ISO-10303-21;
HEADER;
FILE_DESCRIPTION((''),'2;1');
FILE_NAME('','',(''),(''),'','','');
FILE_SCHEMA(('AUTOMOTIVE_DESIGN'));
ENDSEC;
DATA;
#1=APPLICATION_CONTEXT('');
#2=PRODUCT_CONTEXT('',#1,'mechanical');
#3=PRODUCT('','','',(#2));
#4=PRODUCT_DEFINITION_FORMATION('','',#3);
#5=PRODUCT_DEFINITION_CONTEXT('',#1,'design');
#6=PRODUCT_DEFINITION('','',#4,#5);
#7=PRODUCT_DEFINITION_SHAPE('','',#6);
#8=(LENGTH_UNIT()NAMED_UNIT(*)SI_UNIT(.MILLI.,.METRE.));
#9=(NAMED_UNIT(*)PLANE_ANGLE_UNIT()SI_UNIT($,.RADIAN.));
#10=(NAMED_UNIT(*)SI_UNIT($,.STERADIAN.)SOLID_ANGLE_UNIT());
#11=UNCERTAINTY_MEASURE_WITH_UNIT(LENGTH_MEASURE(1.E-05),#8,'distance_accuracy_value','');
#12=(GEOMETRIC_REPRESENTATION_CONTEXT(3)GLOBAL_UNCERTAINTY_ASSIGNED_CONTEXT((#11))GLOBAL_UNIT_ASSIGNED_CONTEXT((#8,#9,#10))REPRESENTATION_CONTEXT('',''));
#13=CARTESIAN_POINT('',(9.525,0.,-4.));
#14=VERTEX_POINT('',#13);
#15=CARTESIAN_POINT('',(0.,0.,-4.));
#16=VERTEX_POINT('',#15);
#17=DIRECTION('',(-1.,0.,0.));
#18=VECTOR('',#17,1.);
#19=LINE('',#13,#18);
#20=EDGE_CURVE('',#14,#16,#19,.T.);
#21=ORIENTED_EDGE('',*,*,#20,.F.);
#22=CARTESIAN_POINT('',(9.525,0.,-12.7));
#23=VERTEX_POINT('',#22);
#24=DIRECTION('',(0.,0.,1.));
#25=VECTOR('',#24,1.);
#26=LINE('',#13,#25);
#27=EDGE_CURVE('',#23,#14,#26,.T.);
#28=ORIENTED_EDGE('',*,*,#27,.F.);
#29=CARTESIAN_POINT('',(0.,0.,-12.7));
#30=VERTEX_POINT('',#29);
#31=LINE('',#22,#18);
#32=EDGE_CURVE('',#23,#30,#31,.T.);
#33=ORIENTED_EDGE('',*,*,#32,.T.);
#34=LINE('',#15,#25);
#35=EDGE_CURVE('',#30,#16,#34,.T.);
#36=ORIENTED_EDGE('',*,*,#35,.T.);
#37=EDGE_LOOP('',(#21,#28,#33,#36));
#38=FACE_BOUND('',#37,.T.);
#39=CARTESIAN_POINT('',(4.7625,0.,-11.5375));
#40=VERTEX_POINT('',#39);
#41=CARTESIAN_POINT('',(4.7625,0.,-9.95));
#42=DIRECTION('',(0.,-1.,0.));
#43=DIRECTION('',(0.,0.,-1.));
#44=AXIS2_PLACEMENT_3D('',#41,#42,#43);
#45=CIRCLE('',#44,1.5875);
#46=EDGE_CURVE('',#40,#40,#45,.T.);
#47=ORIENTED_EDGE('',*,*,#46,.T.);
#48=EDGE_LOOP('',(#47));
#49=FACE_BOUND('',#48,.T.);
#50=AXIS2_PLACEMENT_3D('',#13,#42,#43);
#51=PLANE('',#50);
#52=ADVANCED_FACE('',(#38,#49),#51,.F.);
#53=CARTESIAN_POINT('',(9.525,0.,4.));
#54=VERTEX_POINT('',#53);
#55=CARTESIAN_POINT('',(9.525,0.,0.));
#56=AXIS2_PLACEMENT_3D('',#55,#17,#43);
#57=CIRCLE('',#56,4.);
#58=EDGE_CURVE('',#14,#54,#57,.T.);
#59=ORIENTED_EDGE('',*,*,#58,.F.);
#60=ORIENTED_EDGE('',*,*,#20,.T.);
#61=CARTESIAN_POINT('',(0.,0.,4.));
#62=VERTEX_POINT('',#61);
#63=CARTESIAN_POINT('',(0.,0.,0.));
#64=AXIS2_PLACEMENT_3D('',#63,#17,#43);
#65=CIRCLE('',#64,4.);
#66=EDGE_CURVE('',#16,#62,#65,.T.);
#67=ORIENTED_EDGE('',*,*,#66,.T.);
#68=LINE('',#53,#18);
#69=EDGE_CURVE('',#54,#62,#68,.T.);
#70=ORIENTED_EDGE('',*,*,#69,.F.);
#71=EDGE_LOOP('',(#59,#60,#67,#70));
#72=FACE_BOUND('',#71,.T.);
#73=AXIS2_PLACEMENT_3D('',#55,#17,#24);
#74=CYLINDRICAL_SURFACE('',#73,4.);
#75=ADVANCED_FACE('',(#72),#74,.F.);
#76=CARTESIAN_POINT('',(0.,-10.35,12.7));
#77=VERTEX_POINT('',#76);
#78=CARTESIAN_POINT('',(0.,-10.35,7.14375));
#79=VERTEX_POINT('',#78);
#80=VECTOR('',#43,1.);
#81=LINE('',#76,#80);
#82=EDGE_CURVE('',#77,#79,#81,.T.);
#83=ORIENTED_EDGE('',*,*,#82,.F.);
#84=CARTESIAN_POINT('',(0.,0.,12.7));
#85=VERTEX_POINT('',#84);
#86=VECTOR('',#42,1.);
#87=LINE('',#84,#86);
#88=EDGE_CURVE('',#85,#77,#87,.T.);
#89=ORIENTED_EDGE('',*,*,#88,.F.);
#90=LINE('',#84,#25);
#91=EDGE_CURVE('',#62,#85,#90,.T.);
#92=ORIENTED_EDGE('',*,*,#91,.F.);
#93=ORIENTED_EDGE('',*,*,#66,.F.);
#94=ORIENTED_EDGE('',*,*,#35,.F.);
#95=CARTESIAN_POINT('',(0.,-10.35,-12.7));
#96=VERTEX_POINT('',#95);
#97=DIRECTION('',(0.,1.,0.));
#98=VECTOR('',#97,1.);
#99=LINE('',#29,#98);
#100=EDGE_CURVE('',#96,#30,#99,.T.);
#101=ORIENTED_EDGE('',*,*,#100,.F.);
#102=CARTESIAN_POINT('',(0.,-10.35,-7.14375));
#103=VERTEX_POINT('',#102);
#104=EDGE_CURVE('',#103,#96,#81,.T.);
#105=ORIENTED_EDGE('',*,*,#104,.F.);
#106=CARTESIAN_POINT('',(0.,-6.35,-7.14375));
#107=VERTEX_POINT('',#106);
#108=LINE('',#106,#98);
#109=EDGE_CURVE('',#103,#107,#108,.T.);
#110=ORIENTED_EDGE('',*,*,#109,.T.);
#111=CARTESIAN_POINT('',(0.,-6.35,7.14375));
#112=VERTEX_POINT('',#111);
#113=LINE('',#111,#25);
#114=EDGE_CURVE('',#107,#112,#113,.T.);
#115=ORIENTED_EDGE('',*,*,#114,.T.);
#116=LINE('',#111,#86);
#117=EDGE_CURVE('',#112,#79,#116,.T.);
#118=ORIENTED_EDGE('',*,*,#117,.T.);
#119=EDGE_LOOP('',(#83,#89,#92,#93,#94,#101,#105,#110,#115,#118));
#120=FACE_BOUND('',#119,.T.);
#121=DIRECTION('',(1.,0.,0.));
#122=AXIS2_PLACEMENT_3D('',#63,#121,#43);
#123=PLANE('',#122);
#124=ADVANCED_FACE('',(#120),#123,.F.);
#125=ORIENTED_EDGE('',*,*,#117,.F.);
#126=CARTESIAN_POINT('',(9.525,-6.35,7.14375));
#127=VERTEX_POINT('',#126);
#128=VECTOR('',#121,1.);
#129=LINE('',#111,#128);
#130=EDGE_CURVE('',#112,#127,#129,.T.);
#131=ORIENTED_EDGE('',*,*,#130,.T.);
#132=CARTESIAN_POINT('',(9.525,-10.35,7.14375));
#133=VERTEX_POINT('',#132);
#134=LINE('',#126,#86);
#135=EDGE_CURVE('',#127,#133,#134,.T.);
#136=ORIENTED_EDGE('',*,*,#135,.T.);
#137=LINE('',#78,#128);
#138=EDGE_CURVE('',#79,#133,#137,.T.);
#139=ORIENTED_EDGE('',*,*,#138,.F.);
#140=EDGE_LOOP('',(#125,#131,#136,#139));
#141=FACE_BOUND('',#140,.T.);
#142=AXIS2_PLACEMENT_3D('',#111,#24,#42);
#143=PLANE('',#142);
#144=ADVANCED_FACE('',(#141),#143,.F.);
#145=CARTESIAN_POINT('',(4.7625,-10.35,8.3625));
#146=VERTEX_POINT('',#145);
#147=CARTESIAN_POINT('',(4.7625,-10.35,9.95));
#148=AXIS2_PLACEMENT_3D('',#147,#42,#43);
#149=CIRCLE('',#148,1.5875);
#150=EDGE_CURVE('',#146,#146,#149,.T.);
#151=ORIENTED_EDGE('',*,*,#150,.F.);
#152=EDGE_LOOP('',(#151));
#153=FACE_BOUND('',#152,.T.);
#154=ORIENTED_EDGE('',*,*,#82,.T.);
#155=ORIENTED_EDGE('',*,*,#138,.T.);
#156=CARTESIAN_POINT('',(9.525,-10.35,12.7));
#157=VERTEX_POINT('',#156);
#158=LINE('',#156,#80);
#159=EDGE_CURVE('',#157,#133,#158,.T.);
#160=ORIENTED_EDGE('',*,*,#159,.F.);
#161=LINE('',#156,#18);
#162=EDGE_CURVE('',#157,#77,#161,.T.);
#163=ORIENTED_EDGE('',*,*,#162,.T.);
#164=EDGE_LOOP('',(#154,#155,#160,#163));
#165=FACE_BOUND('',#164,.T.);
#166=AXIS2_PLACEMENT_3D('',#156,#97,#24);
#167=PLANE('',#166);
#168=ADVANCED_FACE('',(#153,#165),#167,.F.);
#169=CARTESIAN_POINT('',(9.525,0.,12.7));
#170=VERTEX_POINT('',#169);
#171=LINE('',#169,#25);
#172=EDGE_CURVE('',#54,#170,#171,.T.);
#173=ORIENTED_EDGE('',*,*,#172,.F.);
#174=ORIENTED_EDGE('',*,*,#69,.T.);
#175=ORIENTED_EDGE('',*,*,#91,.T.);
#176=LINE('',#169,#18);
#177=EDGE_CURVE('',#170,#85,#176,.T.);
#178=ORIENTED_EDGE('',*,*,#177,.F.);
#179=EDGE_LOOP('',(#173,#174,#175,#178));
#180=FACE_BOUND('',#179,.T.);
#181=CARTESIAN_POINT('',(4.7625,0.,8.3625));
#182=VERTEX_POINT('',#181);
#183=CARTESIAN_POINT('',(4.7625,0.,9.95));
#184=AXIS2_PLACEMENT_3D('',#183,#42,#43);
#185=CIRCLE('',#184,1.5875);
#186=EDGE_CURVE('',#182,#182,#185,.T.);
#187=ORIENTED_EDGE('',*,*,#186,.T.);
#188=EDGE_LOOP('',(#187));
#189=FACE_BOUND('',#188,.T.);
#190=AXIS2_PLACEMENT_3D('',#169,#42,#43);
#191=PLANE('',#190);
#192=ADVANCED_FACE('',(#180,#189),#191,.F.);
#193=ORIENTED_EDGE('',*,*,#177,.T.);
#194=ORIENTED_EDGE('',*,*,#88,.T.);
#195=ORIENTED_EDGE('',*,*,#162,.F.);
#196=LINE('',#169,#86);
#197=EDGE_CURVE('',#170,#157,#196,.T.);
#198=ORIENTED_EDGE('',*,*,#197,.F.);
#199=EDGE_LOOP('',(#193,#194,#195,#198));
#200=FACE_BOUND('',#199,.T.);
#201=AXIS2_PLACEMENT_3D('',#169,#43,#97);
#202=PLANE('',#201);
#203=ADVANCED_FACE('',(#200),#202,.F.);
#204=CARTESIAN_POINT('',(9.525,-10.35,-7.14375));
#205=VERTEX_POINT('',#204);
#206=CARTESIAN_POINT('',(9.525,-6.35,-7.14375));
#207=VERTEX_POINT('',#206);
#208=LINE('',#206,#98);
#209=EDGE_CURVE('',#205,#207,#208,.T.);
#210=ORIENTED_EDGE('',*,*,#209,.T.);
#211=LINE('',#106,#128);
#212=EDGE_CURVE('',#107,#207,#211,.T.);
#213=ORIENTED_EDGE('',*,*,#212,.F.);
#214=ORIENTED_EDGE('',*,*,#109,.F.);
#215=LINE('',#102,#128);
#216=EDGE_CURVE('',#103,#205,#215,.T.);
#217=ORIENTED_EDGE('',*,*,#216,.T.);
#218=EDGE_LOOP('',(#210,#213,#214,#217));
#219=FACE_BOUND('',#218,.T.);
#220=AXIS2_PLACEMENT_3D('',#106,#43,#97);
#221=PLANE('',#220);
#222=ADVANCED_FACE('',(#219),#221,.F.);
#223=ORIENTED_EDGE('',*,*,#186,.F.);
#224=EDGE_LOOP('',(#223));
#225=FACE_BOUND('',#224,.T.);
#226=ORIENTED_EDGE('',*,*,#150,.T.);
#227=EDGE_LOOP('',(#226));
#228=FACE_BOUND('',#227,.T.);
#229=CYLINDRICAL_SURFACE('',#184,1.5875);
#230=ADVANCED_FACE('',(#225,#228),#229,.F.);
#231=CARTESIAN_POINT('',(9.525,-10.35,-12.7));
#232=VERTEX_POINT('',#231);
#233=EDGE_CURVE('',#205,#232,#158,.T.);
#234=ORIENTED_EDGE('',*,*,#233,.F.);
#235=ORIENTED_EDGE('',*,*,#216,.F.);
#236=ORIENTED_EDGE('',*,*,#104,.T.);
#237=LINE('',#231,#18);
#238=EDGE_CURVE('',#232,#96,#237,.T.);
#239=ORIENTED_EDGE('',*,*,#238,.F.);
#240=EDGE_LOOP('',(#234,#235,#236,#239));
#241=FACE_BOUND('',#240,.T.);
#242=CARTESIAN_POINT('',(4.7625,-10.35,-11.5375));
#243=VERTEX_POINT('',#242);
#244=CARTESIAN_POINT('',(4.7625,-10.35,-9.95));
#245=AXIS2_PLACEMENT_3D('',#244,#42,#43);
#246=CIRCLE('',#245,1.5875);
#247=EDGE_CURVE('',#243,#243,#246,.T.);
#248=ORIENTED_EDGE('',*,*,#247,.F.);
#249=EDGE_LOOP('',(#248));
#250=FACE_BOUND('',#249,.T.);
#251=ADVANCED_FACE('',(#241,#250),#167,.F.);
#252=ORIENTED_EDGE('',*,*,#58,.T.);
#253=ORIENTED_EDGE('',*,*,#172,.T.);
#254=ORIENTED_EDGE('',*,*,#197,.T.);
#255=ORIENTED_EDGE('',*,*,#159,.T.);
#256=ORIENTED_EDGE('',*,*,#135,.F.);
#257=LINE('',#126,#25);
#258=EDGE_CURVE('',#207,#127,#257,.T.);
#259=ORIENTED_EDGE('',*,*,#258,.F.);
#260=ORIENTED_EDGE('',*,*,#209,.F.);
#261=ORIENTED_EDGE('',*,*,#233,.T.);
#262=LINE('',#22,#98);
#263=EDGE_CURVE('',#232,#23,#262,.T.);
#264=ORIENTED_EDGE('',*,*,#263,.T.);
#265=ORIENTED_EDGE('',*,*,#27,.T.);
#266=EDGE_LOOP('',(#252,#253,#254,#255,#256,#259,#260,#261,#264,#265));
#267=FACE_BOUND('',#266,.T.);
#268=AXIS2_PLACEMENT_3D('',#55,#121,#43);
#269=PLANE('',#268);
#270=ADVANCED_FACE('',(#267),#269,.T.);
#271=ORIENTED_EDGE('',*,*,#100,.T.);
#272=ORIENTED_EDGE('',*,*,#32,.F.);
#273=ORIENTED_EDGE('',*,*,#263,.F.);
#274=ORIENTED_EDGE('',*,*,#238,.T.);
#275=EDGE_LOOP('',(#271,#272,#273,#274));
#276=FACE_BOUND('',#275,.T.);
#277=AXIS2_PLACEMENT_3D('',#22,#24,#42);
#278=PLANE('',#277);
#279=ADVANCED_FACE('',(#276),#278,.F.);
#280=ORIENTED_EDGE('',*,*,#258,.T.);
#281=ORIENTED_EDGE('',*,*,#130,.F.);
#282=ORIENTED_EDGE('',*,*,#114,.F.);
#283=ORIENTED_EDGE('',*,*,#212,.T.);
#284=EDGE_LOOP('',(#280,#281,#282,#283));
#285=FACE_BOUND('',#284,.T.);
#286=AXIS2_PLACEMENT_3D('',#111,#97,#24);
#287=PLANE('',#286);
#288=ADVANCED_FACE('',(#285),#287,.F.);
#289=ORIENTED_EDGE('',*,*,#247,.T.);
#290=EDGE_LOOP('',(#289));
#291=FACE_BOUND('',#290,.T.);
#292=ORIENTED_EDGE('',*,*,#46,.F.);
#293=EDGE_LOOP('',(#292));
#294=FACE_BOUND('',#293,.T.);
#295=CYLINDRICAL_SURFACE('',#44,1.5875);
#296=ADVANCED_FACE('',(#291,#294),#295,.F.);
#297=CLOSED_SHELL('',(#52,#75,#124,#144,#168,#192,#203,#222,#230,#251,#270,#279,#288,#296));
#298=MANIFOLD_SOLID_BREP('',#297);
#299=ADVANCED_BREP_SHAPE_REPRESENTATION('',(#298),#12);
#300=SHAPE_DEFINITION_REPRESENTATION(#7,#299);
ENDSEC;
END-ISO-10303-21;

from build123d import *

# Parameters (mm, degrees)
BOSS_EXTRUDE1_DEPTH = 9.525
SKETCH3_W           = 14.2875
SKETCH3_H           = 4
CUT_EXTRUDE1_DEPTH  = 19.95093995
SKETCH4_R           = 1.5875
CUT_EXTRUDE2_DEPTH  = 19.95093995


with BuildPart() as part:
    # Sketch1 → Boss-Extrude1 (new body)
    with BuildSketch(Plane(origin=(0, 0, 0), x_dir=(0, 0, -1), z_dir=(1, 0, 0))):
        with BuildLine():
            Line((4, 0), (12.7, 0))
            Line((12.7, 0), (12.7, -10.35))
            Line((12.7, -10.35), (-12.7, -10.35))
            Line((-12.7, -10.35), (-12.7, 0))
            Line((-12.7, 0), (-4, 0))
            ThreePointArc((-4, 0), (0, -4), (4, 0))
        make_face()
    extrude(amount=BOSS_EXTRUDE1_DEPTH)

    # Sketch3 → Cut-Extrude1 (cut, through all)
    with BuildSketch(Plane(origin=(9.525, 0, 0), x_dir=(0, 0, -1), z_dir=(1, 0, 0))):
        with Locations((0, -8.35)):
            Rectangle(SKETCH3_W, SKETCH3_H)
    extrude(amount=-CUT_EXTRUDE1_DEPTH, mode=Mode.SUBTRACT)

    # Sketch4 → Cut-Extrude2 (cut, through all)
    with BuildSketch(Plane.XZ.offset(10.35)):
        with Locations(Location((4.7625, -9.95, 0), (0, 0, 270))):
            Circle(SKETCH4_R)
        with Locations(Location((4.7625, 9.95, 0), (0, 0, 270))):
            Circle(SKETCH4_R)
    extrude(amount=-CUT_EXTRUDE2_DEPTH, mode=Mode.SUBTRACT)


solid = part.part
